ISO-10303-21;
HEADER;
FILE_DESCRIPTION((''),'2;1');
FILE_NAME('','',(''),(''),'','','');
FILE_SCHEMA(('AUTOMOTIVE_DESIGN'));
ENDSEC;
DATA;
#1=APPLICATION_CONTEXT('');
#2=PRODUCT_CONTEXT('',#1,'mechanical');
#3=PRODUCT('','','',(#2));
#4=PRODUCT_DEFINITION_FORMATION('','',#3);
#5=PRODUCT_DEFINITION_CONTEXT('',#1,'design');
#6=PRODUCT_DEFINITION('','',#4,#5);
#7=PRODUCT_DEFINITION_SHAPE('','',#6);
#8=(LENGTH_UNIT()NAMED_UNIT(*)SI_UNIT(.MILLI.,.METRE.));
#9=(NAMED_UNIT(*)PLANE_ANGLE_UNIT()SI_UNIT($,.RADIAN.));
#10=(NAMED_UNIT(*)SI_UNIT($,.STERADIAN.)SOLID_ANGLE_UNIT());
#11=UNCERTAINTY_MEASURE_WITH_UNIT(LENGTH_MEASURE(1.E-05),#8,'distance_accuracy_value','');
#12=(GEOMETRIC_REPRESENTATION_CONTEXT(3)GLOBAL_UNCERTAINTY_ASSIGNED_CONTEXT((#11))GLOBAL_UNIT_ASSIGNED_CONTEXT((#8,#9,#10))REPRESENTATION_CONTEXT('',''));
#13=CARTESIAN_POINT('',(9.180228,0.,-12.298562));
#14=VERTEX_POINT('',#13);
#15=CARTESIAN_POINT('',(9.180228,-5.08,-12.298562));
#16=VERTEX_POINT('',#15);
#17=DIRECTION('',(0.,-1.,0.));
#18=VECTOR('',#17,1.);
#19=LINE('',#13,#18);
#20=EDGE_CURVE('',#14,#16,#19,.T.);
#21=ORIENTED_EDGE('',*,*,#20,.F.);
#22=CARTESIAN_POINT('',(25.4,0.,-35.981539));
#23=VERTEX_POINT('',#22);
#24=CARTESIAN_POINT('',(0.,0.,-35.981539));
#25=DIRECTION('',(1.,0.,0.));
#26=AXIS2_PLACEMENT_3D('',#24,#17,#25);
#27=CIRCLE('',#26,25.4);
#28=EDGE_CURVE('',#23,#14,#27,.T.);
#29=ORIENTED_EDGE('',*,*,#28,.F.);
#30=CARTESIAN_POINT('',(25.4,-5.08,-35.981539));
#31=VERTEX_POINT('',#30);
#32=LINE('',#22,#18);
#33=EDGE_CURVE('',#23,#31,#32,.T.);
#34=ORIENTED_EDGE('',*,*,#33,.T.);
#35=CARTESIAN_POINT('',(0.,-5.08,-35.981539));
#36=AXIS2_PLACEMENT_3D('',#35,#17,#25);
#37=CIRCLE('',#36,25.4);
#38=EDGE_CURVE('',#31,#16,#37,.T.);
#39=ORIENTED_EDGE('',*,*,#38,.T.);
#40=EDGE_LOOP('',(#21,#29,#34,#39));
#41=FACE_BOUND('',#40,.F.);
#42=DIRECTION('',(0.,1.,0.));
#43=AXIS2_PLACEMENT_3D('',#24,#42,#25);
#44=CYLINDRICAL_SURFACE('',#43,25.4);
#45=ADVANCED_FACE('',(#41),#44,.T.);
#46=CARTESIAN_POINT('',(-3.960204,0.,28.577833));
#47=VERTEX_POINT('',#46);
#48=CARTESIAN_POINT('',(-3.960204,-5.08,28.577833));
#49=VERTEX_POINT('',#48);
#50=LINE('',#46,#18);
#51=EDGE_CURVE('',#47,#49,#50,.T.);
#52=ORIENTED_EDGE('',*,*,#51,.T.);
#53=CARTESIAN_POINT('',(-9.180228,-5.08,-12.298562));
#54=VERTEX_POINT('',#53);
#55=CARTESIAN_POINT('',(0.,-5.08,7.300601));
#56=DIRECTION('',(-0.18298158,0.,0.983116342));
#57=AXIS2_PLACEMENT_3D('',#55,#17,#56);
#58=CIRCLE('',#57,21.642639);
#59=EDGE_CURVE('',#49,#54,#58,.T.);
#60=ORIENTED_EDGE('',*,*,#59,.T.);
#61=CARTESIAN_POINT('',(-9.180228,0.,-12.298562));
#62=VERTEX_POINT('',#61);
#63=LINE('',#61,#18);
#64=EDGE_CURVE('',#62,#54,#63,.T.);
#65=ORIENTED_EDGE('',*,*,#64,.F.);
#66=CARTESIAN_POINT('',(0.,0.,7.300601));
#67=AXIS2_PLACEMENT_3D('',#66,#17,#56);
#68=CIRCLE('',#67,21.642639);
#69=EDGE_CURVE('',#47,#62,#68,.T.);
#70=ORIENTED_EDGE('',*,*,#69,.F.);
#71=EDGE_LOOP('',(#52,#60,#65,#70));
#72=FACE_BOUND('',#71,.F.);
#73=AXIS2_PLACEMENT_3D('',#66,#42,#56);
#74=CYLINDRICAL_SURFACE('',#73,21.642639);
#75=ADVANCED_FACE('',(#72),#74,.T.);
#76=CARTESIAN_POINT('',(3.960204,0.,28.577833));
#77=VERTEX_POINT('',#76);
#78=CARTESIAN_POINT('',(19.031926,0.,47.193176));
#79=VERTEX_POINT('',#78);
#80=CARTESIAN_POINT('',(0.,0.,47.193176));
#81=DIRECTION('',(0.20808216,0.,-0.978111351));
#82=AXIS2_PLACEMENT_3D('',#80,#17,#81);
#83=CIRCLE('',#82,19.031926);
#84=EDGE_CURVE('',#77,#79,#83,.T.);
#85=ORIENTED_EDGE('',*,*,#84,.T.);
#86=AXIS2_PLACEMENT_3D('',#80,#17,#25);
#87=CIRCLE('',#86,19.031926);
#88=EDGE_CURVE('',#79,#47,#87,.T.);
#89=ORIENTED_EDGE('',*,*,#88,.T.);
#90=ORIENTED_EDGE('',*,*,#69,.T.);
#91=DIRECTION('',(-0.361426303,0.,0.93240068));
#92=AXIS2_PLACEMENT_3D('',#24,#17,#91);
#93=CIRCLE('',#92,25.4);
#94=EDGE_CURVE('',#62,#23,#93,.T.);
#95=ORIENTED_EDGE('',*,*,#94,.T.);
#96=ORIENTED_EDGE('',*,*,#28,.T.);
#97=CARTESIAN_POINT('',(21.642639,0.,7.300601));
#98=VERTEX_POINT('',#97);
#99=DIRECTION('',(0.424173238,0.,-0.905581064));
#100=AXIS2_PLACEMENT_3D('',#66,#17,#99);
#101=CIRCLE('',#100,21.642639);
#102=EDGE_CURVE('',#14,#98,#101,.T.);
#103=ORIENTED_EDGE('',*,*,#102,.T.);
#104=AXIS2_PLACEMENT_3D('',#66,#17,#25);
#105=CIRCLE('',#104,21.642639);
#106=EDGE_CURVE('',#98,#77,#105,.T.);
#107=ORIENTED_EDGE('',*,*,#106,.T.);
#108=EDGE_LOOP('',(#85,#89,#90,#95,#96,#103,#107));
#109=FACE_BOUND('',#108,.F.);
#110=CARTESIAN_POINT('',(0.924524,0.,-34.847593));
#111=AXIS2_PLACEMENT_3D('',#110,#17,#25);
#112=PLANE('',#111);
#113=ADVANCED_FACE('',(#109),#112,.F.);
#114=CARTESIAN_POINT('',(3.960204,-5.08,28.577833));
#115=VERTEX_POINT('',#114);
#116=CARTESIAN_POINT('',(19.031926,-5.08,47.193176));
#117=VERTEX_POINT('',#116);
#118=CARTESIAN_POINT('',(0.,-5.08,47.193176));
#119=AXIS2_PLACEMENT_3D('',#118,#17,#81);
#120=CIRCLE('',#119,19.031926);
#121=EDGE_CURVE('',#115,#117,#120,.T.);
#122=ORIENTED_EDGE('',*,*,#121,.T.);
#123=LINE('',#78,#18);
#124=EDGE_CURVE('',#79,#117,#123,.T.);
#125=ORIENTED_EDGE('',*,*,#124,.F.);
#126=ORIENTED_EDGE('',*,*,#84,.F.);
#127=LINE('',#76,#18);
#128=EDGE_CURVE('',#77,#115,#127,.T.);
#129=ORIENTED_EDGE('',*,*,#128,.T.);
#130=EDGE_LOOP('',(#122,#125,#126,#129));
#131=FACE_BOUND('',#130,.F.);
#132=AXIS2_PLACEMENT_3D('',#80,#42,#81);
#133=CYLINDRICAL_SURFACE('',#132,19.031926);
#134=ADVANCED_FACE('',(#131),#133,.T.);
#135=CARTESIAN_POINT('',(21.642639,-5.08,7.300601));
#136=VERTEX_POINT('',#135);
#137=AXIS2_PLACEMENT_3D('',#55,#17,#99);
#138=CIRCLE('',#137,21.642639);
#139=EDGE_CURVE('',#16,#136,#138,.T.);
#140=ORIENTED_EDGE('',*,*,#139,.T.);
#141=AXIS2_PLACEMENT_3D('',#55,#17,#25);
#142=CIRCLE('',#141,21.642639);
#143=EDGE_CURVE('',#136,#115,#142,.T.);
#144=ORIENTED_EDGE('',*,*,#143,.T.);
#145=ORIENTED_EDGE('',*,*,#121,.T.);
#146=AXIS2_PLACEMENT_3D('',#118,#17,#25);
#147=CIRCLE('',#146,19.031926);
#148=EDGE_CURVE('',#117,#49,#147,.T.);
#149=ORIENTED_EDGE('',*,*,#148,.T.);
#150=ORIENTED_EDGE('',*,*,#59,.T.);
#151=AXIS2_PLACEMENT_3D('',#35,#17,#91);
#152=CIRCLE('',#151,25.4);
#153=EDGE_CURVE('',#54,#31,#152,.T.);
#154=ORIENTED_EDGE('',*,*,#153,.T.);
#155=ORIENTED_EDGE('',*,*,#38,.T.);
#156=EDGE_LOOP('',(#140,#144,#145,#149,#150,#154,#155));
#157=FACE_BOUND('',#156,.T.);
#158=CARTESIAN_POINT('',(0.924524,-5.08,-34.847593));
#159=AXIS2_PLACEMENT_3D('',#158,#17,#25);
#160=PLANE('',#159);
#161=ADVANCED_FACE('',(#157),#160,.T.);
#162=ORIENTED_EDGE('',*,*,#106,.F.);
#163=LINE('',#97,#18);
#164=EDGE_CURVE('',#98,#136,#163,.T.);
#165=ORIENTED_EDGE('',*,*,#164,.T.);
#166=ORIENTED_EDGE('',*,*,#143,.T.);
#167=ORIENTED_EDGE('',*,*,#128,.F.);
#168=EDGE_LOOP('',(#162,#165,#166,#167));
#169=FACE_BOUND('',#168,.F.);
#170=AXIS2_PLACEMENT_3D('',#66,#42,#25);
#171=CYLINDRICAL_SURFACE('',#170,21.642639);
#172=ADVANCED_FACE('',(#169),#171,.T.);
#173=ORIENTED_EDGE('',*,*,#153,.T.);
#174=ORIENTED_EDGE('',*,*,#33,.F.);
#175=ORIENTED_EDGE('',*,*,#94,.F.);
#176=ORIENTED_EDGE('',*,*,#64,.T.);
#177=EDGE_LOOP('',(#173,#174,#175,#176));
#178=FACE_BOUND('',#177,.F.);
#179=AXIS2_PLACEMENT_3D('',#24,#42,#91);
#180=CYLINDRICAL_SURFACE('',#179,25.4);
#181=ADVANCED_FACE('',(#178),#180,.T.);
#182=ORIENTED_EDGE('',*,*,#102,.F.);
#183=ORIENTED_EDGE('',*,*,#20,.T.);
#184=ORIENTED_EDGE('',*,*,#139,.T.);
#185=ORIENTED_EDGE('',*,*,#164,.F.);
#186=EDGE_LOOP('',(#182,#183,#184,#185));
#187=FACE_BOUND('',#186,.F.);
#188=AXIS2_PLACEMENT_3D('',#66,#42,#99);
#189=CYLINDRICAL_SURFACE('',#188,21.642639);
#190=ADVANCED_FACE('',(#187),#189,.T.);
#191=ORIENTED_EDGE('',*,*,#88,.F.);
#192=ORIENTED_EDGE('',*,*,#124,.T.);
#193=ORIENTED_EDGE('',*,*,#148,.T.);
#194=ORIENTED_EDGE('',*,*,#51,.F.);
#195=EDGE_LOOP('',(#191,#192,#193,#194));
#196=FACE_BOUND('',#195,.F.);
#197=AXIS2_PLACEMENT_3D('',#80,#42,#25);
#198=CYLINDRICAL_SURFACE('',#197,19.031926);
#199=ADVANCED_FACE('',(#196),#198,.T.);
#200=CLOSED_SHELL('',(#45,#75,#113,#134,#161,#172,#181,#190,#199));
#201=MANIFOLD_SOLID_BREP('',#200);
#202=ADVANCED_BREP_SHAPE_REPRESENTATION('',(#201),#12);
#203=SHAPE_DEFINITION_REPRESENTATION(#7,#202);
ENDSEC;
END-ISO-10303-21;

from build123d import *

# Parameters (mm, degrees)
F1_DEPTH = 5.08


with BuildPart() as f1:
    # F0 (on Front) → F1 (new body)
    with BuildSketch(Plane.XZ):
        with BuildLine():
            ThreePointArc((-9.180228084, -12.2985621813), (-14.352390161, -56.9378964015), (25.4, -35.9815394503))
            ThreePointArc((25.4, -35.9815394503), (20.9563569512, -21.6291492893), (9.180228084, -12.2985621813))
            ThreePointArc((9.180228084, -12.2985621813), (0, -14.3420370796), (-9.180228084, -12.2985621813))
        make_face()
        with BuildLine():
            ThreePointArc((-9.180228084, -12.2985621813), (0, -14.3420370796), (9.180228084, -12.2985621813))
            ThreePointArc((9.180228084, -12.2985621813), (0, -10.5815394503), (-9.180228084, -12.2985621813))
        make_face()
        with BuildLine():
            ThreePointArc((-9.180228084, -12.2985621813), (0, -10.5815394503), (9.180228084, -12.2985621813))
            ThreePointArc((9.180228084, -12.2985621813), (18.2631892489, -4.3123104133), (21.6426385777, 7.3006014981))
            ThreePointArc((21.6426385777, 7.3006014981), (16.6450153624, 21.1334344759), (3.9602042013, 28.5778331622))
            ThreePointArc((3.9602042013, 28.5778331622), (0, 28.1612500197), (-3.9602042013, 28.5778331622))
            ThreePointArc((-3.9602042013, 28.5778331622), (-21.468294395, 10.0421595176), (-9.180228084, -12.2985621813))
        make_face()
        with BuildLine():
            ThreePointArc((19.0319256978, 47.1931757175), (-11.9758900225, 61.9848035501), (-3.9602042013, 28.5778331622))
            ThreePointArc((-3.9602042013, 28.5778331622), (0, 28.9432400758), (3.9602042013, 28.5778331622))
            ThreePointArc((3.9602042013, 28.5778331622), (14.7916278326, 35.2172856951), (19.0319256978, 47.1931757175))
        make_face()
        with BuildLine():
            ThreePointArc((3.9602042013, 28.5778331622), (0, 28.9432400758), (-3.9602042013, 28.5778331622))
            ThreePointArc((-3.9602042013, 28.5778331622), (0, 28.1612500197), (3.9602042013, 28.5778331622))
        make_face()
    extrude(amount=F1_DEPTH)


solid = f1.part
